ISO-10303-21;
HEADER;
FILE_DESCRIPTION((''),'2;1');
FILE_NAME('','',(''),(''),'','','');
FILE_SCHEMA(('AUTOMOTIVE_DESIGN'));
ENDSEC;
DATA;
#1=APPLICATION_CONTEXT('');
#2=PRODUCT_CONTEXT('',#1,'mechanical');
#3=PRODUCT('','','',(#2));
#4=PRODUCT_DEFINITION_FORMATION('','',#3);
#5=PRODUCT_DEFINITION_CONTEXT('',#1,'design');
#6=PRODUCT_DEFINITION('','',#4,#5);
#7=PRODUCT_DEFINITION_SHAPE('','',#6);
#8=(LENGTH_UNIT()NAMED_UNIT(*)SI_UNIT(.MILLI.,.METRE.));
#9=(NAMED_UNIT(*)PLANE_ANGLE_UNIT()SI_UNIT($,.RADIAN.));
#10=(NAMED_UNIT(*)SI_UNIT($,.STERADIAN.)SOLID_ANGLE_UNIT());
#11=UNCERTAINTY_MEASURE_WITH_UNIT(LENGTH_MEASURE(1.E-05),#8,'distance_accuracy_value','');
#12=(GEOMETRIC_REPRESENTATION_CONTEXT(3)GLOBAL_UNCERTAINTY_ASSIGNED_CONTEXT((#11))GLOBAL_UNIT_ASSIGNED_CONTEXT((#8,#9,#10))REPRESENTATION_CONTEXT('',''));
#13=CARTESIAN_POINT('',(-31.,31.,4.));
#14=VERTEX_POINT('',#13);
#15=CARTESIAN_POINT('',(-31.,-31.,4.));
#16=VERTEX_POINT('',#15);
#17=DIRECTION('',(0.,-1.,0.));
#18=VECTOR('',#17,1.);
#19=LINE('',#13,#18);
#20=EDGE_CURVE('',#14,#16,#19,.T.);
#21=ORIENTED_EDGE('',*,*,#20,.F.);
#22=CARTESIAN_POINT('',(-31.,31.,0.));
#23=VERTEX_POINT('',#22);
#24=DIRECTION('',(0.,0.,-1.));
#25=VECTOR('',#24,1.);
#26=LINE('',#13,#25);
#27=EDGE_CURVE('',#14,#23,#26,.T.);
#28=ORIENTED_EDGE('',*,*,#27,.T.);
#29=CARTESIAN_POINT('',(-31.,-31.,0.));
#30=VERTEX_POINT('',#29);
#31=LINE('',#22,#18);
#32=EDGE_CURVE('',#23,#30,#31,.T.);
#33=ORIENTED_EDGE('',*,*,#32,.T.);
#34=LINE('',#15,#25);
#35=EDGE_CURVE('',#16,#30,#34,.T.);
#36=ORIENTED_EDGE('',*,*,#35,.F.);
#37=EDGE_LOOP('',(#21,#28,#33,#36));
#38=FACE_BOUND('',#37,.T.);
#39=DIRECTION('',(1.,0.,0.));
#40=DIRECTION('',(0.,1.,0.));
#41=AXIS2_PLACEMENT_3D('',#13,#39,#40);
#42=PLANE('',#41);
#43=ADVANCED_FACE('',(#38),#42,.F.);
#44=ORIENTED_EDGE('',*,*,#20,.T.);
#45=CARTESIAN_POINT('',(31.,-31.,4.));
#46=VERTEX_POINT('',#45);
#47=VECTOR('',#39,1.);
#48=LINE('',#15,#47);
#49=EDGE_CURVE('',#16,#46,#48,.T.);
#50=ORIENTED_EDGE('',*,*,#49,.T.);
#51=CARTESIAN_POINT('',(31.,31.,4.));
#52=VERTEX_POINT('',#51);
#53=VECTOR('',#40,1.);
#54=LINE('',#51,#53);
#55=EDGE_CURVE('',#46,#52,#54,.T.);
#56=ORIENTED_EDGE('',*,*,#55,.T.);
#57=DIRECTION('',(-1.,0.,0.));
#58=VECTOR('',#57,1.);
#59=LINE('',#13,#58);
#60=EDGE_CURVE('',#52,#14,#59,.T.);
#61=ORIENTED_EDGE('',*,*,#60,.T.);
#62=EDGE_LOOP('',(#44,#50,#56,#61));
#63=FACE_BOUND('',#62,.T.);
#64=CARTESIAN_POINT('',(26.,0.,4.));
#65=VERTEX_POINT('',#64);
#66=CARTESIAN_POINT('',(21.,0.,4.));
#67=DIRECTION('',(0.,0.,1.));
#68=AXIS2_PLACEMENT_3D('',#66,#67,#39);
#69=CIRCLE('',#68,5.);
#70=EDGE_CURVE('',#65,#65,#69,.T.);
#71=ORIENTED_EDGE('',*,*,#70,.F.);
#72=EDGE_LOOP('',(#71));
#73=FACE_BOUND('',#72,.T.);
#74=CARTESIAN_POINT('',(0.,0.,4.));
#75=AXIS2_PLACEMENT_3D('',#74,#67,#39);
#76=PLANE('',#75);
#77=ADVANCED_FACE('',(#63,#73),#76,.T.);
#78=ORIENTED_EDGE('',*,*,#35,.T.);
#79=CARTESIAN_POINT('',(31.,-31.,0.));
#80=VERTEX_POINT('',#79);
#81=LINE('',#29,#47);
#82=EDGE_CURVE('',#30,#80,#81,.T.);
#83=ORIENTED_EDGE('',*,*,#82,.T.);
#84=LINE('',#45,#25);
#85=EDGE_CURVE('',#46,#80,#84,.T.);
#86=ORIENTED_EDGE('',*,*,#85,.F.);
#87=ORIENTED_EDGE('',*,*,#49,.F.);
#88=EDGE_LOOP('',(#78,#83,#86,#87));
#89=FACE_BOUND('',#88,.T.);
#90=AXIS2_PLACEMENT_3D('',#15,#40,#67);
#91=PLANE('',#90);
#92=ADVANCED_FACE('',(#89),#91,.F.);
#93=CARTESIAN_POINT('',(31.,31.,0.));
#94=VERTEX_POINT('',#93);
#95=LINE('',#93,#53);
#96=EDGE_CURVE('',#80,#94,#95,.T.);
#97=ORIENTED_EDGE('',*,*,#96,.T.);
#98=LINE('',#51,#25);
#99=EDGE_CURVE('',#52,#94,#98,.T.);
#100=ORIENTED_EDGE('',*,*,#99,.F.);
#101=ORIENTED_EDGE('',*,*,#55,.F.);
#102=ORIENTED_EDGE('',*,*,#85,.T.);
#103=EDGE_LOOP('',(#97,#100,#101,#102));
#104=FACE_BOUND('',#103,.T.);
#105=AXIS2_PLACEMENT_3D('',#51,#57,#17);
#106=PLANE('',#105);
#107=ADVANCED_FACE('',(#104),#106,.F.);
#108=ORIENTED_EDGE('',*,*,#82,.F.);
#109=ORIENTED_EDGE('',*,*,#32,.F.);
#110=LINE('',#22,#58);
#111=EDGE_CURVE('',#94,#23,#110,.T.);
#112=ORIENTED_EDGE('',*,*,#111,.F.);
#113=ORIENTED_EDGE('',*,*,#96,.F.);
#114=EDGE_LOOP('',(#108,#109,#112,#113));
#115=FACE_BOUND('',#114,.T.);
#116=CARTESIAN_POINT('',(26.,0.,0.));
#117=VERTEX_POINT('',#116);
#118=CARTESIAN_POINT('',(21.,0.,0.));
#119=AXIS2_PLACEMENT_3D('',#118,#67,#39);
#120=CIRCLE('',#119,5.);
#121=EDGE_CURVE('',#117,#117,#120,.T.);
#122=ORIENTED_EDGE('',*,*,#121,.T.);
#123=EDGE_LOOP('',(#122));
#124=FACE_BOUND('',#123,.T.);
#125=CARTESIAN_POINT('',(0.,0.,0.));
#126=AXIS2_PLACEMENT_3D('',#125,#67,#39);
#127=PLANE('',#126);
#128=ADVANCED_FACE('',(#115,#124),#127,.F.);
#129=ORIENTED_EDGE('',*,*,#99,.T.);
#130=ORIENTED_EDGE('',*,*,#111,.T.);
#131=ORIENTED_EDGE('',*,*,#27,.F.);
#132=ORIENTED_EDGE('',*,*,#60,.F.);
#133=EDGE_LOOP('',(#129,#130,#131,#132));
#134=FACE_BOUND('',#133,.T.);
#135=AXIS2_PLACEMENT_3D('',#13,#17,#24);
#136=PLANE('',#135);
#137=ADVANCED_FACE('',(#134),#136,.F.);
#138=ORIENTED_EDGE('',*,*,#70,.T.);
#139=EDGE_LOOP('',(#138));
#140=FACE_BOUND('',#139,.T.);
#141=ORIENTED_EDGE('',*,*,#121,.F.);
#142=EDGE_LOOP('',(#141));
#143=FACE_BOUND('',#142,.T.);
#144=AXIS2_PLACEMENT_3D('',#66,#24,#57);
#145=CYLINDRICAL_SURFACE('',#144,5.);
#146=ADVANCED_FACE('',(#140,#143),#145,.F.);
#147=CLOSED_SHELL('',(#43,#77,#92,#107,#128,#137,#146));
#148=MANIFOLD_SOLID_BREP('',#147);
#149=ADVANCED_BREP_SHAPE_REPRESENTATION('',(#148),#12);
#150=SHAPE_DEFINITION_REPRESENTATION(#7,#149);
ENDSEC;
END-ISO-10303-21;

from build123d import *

# Parameters (mm, degrees)
SKETCH1_W           = 62
SKETCH1_H           = 62
SKETCH1_R           = 5
BOSS_EXTRUDE1_DEPTH = 4


with BuildPart() as part:
    # Sketch1 → Boss-Extrude1 (new body)
    with BuildSketch(Plane.XY):
        Rectangle(SKETCH1_W, SKETCH1_H)
        with Locations((21, 0)):
            Circle(SKETCH1_R, mode=Mode.SUBTRACT)
    extrude(amount=BOSS_EXTRUDE1_DEPTH)


solid = part.part
